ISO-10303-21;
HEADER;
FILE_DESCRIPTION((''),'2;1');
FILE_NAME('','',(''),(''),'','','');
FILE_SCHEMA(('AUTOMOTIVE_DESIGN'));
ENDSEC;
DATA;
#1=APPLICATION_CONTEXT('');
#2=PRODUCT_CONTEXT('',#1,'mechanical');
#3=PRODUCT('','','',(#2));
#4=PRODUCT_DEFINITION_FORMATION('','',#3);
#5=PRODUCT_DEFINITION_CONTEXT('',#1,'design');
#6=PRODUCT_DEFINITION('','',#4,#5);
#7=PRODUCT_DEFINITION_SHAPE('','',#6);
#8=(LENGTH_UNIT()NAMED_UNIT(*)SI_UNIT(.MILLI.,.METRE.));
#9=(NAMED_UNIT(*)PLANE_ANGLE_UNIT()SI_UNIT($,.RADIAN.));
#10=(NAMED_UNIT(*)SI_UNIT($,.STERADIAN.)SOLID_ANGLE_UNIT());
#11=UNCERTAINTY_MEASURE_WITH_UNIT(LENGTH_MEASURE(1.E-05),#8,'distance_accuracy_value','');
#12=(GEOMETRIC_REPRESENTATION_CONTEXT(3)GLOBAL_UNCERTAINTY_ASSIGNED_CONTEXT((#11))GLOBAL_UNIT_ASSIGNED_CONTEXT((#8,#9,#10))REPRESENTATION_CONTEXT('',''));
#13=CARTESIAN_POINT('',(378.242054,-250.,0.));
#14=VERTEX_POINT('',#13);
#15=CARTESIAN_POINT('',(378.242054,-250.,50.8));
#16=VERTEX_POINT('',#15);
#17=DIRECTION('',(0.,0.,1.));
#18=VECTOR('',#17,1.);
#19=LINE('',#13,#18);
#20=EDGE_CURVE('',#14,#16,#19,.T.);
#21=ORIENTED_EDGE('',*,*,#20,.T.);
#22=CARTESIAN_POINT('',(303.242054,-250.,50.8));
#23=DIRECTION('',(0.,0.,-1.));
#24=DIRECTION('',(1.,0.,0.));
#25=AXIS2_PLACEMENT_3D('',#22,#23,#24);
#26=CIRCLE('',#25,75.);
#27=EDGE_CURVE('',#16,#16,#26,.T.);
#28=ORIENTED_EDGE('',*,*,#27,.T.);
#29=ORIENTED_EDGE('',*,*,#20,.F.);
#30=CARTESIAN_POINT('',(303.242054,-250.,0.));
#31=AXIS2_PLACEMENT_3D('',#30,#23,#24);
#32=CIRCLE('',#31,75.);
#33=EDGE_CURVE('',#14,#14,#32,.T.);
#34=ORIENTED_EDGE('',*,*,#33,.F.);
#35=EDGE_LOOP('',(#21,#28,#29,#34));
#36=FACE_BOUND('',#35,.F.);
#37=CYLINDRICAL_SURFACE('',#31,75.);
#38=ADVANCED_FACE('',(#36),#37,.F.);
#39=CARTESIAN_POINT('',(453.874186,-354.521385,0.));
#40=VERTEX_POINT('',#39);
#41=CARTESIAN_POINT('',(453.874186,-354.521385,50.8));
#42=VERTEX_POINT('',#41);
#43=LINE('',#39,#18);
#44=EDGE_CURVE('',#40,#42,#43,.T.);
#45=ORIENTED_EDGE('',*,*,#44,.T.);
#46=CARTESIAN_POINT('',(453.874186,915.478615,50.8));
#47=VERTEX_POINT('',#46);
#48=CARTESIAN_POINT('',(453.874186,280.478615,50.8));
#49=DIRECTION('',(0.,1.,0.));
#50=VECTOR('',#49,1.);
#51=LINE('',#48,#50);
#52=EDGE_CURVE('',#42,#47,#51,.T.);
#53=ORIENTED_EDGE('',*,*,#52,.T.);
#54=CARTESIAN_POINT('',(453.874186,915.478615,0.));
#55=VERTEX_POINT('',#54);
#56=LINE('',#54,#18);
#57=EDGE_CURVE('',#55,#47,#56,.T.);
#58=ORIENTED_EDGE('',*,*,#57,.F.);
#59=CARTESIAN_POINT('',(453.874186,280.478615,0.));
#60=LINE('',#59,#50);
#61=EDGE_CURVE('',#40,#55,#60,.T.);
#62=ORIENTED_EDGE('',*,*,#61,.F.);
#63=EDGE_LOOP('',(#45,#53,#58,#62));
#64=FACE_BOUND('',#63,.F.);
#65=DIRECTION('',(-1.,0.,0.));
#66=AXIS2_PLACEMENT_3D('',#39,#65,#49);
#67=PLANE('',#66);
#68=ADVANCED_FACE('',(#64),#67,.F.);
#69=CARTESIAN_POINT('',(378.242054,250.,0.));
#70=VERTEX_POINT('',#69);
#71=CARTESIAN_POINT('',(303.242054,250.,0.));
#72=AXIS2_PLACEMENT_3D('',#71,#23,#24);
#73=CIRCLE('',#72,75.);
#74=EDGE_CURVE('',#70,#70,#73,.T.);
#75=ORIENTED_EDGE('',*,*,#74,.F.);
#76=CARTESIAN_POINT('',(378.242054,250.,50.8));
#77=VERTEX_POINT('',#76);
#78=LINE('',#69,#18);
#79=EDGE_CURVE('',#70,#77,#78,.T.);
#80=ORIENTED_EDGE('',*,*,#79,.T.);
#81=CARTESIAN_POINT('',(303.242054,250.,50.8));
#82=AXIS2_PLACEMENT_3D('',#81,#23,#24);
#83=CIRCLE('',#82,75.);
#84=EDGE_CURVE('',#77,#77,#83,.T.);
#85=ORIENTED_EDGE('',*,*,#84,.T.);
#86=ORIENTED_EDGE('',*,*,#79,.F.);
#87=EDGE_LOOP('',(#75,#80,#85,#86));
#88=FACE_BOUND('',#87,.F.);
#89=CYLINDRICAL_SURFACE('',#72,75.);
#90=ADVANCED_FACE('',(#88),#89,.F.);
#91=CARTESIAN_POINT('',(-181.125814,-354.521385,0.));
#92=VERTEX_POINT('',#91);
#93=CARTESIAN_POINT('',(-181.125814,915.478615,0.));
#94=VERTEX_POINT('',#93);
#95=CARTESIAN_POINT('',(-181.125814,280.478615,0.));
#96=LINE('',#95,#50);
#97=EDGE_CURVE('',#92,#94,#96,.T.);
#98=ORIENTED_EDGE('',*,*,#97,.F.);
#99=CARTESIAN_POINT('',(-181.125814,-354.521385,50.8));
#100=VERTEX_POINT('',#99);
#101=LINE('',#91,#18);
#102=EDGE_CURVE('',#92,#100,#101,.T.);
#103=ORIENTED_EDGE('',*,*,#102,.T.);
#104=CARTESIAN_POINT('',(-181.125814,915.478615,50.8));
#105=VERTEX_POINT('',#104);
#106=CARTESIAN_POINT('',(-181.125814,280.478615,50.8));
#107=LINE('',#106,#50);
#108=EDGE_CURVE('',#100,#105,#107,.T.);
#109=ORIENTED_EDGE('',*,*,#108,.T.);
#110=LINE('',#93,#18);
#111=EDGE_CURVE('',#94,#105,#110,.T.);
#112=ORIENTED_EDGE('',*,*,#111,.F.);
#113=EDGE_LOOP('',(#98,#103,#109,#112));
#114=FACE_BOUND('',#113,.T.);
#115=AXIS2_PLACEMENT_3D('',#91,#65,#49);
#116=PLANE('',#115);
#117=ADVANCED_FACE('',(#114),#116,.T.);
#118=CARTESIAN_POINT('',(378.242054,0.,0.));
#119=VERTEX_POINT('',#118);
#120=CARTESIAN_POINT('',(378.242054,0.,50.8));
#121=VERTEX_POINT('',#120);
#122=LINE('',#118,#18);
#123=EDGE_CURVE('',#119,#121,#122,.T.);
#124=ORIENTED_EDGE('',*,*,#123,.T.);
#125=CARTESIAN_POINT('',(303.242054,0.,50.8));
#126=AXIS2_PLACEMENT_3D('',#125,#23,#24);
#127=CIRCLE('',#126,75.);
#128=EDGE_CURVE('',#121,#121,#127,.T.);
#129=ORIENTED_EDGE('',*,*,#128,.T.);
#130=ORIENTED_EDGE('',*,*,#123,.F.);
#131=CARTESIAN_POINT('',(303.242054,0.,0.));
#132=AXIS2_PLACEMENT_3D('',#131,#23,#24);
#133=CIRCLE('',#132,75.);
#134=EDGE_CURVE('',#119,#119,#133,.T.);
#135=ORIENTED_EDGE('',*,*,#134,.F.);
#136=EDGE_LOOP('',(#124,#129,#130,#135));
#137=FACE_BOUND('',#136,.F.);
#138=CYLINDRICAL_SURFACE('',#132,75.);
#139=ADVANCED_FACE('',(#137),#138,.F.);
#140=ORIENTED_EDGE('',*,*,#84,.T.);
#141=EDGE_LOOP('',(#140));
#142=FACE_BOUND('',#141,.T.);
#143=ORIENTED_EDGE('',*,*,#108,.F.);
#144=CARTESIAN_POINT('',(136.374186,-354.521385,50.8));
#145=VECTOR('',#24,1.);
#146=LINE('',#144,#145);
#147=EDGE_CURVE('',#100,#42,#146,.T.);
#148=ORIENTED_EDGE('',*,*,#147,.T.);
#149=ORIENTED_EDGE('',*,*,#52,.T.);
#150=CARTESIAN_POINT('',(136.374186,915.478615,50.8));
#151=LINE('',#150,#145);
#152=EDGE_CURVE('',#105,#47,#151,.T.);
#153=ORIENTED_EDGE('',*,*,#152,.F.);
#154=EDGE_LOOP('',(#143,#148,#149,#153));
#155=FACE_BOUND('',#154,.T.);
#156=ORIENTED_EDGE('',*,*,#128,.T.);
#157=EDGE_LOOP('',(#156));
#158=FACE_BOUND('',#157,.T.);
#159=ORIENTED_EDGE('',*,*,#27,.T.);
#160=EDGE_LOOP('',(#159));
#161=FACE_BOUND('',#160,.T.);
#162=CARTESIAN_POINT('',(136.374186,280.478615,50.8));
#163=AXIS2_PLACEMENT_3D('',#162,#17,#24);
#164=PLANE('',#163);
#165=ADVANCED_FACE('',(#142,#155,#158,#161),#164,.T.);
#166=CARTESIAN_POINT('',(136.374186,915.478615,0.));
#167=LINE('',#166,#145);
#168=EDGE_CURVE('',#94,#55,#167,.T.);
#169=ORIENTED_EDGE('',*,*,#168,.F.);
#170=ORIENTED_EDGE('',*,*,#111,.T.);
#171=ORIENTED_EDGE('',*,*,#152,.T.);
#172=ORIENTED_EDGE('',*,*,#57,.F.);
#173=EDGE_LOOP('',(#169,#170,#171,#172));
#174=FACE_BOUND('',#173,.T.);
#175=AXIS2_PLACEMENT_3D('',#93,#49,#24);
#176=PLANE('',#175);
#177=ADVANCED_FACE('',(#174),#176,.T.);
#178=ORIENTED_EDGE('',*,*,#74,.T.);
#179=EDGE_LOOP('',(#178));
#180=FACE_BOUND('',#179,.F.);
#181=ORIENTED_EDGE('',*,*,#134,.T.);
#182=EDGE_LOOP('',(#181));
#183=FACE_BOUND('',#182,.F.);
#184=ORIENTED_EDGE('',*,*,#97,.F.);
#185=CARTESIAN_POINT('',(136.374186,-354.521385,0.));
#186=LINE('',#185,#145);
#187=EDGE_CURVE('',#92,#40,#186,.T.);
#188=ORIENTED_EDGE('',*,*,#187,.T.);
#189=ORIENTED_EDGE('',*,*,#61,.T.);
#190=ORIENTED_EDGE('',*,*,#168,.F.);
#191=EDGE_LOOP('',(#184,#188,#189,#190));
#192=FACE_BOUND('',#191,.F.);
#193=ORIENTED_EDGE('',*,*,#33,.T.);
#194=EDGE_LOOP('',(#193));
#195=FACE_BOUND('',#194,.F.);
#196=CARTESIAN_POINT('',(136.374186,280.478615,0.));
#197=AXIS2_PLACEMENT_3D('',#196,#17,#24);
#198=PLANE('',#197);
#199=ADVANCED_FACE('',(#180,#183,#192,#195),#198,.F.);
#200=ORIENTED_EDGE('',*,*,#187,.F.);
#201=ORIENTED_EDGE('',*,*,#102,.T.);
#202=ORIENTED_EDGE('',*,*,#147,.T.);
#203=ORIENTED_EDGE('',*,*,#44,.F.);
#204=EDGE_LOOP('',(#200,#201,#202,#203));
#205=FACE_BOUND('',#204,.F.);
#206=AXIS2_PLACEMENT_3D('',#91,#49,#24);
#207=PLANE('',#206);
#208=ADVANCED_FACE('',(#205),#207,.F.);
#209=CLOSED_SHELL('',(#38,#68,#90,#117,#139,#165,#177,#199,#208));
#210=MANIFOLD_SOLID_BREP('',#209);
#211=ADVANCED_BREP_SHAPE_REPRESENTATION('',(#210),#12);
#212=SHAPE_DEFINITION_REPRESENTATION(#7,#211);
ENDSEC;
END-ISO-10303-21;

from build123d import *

# Parameters (mm, degrees)
F0_W     = 635
F0_H     = 1270
F1_DEPTH = 50.8
F2_R     = 75
F3_DEPTH = 347


with BuildPart() as f1:
    # F0 (on Top) → F1 (new body)
    with BuildSketch(Plane.XY):
        with Locations((136.374186, 280.478615)):
            Rectangle(F0_W, F0_H)
    extrude(amount=F1_DEPTH)

    # F2 (on face) → F3 (cut)
    with BuildSketch(Plane(origin=(0, 0, 0), x_dir=(1, 0, 0), z_dir=(0, 0, -1))):
        with Locations((303.242054, 250)):
            Circle(F2_R)
        with Locations((303.242054, 0)):
            Circle(F2_R)
        with Locations((303.242054, -250)):
            Circle(F2_R)
    extrude(amount=-F3_DEPTH, mode=Mode.SUBTRACT)


solid = f1.part
